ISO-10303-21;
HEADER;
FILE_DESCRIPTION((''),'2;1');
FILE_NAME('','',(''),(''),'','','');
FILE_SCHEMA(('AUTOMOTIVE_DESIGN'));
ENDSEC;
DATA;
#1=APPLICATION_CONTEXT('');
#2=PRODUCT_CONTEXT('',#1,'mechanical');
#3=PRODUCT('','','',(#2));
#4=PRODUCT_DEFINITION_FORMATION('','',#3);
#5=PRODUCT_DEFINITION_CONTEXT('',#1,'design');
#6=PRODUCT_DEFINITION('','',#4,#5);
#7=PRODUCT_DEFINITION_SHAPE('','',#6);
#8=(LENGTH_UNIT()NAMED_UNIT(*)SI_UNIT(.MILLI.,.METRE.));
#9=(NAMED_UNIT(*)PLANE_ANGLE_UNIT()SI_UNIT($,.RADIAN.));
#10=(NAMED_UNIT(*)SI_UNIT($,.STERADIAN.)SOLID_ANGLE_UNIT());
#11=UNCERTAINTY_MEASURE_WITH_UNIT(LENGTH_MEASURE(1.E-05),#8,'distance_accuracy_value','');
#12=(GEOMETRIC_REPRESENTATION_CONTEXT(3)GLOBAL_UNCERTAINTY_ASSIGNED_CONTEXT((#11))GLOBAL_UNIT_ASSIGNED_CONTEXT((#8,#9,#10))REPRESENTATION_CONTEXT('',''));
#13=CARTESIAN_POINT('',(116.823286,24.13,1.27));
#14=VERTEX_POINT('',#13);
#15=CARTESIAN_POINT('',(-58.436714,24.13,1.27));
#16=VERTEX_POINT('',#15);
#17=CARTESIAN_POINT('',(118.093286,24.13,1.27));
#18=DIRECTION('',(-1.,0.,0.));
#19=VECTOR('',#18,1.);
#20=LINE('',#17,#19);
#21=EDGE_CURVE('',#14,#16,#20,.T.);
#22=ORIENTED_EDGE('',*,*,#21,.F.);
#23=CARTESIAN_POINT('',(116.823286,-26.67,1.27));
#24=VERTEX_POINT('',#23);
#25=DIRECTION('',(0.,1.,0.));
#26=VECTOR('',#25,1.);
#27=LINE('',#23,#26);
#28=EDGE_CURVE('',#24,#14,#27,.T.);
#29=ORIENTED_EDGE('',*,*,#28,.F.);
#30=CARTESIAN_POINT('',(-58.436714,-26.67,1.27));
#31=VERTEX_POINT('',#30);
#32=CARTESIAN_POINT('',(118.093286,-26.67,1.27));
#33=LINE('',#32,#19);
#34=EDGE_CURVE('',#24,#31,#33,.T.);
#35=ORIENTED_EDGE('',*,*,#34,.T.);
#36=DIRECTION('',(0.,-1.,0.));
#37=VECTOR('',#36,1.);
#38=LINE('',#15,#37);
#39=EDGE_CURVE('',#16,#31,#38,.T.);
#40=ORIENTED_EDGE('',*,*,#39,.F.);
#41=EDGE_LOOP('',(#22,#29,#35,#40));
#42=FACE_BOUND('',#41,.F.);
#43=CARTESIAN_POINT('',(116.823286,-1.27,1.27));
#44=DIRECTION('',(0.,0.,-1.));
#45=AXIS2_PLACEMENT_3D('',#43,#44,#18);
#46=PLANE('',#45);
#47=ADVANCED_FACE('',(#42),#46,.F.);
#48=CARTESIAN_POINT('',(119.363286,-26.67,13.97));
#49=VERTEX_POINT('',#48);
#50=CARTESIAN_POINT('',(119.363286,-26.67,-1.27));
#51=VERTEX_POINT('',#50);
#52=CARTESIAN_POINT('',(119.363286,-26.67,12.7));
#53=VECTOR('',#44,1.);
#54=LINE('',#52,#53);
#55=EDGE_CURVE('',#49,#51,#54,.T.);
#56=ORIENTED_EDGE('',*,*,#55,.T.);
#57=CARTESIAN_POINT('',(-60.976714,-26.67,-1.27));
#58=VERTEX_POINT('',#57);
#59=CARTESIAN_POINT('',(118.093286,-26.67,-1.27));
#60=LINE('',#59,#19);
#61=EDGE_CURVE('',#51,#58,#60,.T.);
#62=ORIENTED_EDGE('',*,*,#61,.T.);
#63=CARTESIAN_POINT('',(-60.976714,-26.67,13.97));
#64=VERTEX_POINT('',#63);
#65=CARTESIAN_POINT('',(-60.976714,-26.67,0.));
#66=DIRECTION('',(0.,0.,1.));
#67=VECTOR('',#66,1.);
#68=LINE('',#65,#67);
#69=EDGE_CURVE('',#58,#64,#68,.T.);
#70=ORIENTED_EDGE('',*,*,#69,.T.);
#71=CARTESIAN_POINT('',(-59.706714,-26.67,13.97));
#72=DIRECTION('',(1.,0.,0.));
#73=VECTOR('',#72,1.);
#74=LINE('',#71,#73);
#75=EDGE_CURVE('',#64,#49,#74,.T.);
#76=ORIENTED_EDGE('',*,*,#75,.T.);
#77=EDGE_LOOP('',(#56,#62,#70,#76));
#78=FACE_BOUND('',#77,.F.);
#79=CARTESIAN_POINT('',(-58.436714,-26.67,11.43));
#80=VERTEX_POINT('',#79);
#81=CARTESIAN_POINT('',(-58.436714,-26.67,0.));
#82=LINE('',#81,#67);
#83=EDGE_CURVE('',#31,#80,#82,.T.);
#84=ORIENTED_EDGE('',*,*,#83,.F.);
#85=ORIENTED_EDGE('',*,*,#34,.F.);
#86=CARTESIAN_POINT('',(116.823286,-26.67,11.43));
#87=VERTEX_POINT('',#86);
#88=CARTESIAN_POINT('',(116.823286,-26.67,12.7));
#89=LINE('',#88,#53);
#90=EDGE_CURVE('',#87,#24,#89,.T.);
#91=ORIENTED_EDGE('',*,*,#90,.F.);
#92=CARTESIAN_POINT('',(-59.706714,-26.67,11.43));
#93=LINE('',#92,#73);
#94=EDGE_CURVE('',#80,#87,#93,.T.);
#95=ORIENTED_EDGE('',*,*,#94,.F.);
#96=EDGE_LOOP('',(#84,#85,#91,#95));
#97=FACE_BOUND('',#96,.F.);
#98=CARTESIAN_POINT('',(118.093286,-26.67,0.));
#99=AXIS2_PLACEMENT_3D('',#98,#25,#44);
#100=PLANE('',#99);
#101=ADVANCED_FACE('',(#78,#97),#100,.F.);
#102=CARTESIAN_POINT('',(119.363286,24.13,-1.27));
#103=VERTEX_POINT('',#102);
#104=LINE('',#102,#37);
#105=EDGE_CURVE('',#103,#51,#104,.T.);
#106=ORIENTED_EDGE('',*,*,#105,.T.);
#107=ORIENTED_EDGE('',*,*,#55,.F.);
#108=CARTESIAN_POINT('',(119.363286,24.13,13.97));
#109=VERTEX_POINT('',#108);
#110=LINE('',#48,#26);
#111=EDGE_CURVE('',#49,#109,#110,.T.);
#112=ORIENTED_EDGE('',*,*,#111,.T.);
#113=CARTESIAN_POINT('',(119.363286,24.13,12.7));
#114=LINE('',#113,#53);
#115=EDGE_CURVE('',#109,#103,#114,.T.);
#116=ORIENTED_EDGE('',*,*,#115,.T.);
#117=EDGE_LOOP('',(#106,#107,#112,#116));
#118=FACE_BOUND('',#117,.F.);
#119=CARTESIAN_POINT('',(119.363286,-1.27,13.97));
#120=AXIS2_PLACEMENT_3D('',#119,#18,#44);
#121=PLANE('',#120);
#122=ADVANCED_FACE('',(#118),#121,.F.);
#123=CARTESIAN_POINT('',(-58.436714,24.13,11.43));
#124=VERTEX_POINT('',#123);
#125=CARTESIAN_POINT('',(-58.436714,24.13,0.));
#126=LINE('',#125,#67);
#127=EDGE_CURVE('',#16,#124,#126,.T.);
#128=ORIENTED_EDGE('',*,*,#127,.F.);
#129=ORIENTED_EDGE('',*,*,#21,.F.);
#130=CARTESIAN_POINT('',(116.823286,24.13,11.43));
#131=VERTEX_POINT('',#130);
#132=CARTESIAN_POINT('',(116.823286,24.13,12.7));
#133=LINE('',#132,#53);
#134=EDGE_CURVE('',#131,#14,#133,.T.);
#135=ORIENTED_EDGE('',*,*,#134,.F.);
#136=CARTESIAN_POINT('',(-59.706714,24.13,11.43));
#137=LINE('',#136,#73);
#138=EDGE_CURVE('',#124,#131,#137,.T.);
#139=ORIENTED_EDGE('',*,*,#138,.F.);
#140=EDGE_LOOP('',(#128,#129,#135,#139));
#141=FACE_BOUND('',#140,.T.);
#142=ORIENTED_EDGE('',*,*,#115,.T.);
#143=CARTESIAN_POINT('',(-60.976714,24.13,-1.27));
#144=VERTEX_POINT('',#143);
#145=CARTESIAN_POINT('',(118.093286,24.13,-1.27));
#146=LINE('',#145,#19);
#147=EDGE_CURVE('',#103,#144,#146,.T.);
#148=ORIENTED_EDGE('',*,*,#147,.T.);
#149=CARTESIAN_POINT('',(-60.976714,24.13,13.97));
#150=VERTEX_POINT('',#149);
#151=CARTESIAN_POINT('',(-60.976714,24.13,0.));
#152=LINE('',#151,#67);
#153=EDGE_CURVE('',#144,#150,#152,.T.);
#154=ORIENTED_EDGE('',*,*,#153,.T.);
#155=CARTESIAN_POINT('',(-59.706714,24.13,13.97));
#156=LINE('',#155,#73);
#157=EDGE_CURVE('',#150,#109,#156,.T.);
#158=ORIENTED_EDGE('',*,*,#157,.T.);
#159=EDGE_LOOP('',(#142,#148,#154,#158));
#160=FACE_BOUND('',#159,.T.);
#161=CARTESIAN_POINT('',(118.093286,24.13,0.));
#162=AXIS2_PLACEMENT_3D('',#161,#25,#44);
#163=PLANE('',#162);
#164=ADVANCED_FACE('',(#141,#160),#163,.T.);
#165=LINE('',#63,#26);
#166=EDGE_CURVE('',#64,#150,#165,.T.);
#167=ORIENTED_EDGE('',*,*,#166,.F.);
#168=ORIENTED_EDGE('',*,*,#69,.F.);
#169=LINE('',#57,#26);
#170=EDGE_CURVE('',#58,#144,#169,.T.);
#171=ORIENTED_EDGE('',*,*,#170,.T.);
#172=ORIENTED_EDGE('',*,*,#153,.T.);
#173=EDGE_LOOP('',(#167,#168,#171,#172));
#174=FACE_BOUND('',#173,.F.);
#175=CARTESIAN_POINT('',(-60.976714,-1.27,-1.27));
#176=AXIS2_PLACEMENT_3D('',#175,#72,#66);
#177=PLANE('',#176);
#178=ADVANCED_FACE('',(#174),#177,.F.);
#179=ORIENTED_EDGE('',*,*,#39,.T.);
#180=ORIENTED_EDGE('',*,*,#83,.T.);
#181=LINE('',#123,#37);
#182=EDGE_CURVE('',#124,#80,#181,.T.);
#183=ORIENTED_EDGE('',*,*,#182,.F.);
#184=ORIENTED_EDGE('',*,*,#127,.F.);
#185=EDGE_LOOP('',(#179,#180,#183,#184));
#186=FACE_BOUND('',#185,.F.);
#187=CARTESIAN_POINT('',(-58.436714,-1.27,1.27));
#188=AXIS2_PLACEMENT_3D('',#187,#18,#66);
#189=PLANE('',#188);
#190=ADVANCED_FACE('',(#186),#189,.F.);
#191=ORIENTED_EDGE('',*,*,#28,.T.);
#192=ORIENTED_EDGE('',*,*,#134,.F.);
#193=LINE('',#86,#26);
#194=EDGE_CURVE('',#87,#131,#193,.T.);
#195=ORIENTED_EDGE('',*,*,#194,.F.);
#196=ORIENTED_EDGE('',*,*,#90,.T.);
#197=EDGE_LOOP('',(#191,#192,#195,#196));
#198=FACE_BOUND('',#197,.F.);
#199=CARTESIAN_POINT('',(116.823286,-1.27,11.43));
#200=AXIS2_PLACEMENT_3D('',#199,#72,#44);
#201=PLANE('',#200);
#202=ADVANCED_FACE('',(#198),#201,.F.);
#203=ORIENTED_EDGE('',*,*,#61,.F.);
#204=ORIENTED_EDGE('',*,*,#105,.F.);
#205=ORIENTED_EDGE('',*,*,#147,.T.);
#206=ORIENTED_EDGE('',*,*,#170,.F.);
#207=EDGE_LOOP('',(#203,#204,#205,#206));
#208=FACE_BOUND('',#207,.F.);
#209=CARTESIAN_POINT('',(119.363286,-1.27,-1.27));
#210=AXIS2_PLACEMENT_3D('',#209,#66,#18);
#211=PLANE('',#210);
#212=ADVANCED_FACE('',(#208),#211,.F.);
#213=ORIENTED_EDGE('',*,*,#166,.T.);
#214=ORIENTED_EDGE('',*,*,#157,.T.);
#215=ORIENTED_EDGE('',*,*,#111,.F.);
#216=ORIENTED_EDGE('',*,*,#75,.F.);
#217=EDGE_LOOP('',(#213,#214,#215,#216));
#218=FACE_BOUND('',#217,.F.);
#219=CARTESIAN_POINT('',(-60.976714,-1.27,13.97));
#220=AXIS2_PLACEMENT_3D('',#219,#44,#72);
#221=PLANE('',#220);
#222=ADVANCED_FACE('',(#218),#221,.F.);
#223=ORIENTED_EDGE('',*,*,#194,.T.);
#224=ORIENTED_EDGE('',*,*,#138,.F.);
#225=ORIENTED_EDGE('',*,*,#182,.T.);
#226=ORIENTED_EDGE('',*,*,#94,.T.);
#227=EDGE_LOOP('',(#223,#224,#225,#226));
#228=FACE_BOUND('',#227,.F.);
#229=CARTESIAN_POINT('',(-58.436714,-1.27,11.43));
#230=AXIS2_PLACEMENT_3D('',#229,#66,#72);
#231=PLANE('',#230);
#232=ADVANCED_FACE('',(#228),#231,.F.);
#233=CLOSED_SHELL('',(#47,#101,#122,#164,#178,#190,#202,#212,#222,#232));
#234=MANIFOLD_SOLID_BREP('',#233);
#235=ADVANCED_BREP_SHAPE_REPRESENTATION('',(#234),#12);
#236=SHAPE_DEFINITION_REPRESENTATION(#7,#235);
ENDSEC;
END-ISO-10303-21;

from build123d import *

# Parameters (mm, degrees)
F0_W          = 2.54
F0_H          = 2.54
F3_W          = 2.54
F3_H          = 2.54
F8_DEPTH      = 25.4
F8_DEPTH_BACK = 25.4


with BuildPart() as f2:
    # F2: sweep along a path in F1
    with BuildLine(Plane.XZ) as f2_path:
        Line((118.0932859957, 0), (-59.7067140043, 0))
        Line((-59.7067140043, 0), (-59.7067140043, 12.7))
        Line((-59.7067140043, 12.7), (118.0932859957, 12.7))
        Line((118.0932859957, 12.7), (118.0932859957, 0))
    # F0 (on Right) → F2 (sweep)
    with BuildSketch(Plane.YZ):
        Rectangle(F0_W, F0_H)
    sweep(path=f2_path.line, transition=Transition.RIGHT)

    # F8 (add, two sides): a face of the model
    f8_faces = [f2.faces().sort_by_distance(p)[0] for p in [
        (29.1932859957, -1.27, 13.2398279808),
    ]]
    extrude(f8_faces, amount=F8_DEPTH)
    extrude(f8_faces, amount=-F8_DEPTH_BACK)


with BuildPart() as f6:
    # F6: sweep along a path in F5
    with BuildLine(Plane(origin=(0, 1.27, 0), x_dir=(-1, 0, 0), z_dir=(0, 1, 0))) as f6_path:
        Line((59.1895133257, 0), (-31.8534299731, 14.0118226409))
        Line((-31.8534299731, 14.0118226409), (-116.2539571524, 0))
    # F3 (on face) → F6 (sweep)
    with BuildSketch(Plane.XY.offset(13.97)):
        with Locations((31.7332859957, 0)):
            Rectangle(F3_W, F3_H)
    sweep(path=f6_path.line, transition=Transition.RIGHT)


solid = f2.part
